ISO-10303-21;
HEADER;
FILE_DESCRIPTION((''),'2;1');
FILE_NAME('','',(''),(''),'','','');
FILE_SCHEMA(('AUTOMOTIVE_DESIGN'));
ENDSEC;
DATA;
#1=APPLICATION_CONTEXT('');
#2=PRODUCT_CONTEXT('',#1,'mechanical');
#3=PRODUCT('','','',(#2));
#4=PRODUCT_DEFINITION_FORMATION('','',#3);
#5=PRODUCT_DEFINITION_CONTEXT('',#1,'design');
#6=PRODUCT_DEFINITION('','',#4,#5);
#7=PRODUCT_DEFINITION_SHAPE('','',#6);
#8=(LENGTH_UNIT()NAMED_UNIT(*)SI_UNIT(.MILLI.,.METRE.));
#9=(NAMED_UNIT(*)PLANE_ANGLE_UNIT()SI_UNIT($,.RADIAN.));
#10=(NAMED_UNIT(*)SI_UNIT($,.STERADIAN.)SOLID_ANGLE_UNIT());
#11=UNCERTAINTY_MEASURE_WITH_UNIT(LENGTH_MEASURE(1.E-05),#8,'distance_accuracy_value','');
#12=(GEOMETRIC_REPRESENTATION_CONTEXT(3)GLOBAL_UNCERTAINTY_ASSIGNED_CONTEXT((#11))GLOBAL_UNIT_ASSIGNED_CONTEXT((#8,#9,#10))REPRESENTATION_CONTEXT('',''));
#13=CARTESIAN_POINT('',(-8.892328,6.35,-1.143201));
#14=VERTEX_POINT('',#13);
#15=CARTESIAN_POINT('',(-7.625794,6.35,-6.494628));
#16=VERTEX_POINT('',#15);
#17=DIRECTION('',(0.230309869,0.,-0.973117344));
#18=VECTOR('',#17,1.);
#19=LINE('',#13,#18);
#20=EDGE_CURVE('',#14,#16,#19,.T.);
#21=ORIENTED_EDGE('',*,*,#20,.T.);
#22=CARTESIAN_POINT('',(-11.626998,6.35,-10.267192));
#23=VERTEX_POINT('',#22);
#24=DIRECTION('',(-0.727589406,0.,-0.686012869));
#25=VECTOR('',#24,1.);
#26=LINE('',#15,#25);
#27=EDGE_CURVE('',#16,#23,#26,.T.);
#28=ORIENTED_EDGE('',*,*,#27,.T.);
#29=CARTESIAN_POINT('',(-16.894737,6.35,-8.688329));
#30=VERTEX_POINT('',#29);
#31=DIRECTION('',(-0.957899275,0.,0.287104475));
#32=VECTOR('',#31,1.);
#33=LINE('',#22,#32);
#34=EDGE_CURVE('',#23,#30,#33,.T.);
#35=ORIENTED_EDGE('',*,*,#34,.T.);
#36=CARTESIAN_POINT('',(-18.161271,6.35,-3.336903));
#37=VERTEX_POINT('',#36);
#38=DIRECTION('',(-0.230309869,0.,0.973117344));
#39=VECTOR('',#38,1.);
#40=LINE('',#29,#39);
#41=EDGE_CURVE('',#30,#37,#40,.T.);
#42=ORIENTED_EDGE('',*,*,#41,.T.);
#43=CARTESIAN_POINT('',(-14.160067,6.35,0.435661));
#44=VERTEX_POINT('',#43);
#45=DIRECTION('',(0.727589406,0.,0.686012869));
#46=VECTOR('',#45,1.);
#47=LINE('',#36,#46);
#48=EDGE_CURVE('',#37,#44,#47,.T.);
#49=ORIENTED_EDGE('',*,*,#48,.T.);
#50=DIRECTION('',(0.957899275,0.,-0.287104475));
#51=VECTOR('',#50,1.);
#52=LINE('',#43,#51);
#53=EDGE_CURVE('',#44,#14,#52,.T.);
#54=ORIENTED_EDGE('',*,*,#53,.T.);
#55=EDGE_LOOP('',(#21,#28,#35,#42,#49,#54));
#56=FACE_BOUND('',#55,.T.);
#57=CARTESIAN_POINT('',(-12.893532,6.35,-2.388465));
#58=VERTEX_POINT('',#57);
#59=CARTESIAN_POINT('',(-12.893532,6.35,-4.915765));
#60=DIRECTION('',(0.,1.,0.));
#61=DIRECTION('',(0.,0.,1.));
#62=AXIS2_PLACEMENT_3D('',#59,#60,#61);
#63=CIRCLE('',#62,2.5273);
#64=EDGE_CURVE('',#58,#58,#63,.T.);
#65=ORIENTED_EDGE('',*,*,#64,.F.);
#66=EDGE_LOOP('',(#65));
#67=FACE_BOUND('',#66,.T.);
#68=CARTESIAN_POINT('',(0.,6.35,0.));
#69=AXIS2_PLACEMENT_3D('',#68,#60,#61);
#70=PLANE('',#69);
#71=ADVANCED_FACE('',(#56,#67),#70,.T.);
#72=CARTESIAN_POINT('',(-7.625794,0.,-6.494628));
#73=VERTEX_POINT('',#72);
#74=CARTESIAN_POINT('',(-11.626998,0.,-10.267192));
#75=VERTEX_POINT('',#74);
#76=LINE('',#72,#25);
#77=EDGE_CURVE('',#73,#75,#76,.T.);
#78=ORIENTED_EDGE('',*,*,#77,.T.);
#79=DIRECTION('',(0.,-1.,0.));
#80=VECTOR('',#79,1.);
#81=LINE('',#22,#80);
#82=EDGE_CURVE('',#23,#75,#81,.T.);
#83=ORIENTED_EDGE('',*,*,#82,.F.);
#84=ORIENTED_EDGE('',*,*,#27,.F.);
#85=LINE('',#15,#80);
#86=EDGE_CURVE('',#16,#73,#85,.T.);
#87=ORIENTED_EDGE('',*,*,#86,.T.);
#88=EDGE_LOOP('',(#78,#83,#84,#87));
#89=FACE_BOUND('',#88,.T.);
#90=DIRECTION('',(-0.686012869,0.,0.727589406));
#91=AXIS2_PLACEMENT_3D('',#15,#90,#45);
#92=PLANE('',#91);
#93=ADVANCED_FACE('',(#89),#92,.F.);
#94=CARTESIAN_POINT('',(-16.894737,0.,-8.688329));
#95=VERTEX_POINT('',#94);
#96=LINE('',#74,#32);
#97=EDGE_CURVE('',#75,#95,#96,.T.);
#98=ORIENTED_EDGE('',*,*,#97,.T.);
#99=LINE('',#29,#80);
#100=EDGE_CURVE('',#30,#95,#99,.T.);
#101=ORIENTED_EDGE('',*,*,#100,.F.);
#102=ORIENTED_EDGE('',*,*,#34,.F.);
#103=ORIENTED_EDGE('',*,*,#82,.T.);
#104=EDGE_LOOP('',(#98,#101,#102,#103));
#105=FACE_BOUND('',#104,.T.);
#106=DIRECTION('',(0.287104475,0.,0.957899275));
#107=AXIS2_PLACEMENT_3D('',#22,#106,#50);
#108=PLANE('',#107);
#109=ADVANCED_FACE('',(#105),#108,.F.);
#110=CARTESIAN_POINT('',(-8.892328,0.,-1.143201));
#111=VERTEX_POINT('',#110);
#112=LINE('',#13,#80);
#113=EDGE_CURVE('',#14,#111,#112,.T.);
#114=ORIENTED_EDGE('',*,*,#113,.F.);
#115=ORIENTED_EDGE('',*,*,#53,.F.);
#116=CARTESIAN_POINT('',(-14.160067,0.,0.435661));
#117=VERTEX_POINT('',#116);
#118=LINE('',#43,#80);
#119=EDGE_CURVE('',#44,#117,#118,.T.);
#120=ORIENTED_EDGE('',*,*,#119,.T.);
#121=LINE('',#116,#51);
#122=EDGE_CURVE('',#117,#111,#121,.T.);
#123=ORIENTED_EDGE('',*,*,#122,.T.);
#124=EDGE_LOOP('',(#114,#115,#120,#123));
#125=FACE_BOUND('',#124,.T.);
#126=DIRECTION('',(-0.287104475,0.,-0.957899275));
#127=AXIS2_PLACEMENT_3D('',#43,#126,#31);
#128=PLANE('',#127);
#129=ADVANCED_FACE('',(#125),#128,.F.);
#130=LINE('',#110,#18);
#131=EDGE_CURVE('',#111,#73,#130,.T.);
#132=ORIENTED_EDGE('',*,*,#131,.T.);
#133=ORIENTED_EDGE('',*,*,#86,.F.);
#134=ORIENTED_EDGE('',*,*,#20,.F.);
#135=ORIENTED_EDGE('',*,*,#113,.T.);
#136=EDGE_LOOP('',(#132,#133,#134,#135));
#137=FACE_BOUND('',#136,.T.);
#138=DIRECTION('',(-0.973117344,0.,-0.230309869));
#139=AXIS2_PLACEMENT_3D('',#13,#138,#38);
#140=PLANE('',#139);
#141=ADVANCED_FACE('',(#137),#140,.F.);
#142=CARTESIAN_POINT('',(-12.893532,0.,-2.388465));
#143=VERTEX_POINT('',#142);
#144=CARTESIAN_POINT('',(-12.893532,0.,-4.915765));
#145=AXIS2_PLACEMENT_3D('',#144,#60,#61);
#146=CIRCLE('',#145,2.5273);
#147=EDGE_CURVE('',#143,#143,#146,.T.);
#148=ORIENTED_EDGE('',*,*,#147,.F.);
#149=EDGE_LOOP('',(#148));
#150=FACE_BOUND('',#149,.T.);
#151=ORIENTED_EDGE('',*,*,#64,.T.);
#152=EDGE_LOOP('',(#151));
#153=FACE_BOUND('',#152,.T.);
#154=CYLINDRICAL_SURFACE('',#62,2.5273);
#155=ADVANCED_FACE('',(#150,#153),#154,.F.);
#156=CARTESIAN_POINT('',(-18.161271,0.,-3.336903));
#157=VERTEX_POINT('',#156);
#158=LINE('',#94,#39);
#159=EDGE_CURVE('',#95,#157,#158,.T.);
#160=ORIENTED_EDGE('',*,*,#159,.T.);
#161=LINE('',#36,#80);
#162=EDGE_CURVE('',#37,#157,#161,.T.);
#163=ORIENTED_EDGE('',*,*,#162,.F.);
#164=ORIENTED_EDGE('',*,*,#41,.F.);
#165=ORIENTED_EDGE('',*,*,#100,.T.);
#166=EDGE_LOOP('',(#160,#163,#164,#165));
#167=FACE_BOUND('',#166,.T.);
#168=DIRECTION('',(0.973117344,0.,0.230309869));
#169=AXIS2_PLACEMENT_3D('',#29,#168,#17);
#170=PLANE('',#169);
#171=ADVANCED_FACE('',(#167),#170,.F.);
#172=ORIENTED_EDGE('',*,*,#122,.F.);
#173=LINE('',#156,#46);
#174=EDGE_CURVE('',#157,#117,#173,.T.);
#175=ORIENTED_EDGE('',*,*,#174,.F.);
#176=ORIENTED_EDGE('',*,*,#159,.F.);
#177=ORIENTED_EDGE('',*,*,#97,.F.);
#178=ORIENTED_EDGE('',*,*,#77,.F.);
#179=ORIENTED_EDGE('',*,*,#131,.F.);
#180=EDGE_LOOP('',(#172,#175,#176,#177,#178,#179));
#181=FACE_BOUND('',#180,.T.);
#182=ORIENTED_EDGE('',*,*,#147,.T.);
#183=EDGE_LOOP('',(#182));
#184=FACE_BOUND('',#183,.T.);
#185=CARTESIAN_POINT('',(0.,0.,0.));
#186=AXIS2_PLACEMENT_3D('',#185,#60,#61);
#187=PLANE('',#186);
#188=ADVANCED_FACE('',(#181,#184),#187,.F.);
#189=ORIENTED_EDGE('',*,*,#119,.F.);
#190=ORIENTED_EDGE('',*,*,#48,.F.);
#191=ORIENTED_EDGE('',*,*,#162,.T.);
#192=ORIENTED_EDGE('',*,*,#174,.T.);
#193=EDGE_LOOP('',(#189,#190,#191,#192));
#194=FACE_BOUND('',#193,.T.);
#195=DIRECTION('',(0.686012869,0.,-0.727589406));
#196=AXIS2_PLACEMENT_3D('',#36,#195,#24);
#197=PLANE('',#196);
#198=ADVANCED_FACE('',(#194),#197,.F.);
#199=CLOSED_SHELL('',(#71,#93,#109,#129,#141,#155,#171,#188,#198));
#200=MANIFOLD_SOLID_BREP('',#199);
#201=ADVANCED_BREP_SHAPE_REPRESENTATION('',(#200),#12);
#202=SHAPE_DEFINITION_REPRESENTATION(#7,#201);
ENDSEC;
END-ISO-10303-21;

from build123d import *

# Parameters (mm, degrees)
BOSS_EXTRUDE1_DEPTH        = 6.35
F_8_0_199_DIAMETER_HOLE1_D = 5.0546


with BuildPart() as part:
    # Sketch1 → Boss-Extrude1 (new body)
    with BuildSketch(Plane(origin=(0, 0, 0), x_dir=(1, 0, 0), z_dir=(0, 1, 0))):
        Polygon((-8.892328085, 1.143201221), (-7.625793935, 6.494627783), (-11.626998209, 10.267191813), (-16.894736633, 8.688329281), (-18.161270783, 3.336902719), (-14.160066509, -0.435661311), align=None)
    extrude(amount=BOSS_EXTRUDE1_DEPTH)

    # #8 (0.199) Diameter Hole1 (through all)
    with Locations(Plane(origin=(0, 6.35, 0), x_dir=(1, 0, 0), z_dir=(0, 1, 0))):
        with Locations((-12.893532359, 4.915765251)):
            Hole(F_8_0_199_DIAMETER_HOLE1_D / 2)


solid = part.part
